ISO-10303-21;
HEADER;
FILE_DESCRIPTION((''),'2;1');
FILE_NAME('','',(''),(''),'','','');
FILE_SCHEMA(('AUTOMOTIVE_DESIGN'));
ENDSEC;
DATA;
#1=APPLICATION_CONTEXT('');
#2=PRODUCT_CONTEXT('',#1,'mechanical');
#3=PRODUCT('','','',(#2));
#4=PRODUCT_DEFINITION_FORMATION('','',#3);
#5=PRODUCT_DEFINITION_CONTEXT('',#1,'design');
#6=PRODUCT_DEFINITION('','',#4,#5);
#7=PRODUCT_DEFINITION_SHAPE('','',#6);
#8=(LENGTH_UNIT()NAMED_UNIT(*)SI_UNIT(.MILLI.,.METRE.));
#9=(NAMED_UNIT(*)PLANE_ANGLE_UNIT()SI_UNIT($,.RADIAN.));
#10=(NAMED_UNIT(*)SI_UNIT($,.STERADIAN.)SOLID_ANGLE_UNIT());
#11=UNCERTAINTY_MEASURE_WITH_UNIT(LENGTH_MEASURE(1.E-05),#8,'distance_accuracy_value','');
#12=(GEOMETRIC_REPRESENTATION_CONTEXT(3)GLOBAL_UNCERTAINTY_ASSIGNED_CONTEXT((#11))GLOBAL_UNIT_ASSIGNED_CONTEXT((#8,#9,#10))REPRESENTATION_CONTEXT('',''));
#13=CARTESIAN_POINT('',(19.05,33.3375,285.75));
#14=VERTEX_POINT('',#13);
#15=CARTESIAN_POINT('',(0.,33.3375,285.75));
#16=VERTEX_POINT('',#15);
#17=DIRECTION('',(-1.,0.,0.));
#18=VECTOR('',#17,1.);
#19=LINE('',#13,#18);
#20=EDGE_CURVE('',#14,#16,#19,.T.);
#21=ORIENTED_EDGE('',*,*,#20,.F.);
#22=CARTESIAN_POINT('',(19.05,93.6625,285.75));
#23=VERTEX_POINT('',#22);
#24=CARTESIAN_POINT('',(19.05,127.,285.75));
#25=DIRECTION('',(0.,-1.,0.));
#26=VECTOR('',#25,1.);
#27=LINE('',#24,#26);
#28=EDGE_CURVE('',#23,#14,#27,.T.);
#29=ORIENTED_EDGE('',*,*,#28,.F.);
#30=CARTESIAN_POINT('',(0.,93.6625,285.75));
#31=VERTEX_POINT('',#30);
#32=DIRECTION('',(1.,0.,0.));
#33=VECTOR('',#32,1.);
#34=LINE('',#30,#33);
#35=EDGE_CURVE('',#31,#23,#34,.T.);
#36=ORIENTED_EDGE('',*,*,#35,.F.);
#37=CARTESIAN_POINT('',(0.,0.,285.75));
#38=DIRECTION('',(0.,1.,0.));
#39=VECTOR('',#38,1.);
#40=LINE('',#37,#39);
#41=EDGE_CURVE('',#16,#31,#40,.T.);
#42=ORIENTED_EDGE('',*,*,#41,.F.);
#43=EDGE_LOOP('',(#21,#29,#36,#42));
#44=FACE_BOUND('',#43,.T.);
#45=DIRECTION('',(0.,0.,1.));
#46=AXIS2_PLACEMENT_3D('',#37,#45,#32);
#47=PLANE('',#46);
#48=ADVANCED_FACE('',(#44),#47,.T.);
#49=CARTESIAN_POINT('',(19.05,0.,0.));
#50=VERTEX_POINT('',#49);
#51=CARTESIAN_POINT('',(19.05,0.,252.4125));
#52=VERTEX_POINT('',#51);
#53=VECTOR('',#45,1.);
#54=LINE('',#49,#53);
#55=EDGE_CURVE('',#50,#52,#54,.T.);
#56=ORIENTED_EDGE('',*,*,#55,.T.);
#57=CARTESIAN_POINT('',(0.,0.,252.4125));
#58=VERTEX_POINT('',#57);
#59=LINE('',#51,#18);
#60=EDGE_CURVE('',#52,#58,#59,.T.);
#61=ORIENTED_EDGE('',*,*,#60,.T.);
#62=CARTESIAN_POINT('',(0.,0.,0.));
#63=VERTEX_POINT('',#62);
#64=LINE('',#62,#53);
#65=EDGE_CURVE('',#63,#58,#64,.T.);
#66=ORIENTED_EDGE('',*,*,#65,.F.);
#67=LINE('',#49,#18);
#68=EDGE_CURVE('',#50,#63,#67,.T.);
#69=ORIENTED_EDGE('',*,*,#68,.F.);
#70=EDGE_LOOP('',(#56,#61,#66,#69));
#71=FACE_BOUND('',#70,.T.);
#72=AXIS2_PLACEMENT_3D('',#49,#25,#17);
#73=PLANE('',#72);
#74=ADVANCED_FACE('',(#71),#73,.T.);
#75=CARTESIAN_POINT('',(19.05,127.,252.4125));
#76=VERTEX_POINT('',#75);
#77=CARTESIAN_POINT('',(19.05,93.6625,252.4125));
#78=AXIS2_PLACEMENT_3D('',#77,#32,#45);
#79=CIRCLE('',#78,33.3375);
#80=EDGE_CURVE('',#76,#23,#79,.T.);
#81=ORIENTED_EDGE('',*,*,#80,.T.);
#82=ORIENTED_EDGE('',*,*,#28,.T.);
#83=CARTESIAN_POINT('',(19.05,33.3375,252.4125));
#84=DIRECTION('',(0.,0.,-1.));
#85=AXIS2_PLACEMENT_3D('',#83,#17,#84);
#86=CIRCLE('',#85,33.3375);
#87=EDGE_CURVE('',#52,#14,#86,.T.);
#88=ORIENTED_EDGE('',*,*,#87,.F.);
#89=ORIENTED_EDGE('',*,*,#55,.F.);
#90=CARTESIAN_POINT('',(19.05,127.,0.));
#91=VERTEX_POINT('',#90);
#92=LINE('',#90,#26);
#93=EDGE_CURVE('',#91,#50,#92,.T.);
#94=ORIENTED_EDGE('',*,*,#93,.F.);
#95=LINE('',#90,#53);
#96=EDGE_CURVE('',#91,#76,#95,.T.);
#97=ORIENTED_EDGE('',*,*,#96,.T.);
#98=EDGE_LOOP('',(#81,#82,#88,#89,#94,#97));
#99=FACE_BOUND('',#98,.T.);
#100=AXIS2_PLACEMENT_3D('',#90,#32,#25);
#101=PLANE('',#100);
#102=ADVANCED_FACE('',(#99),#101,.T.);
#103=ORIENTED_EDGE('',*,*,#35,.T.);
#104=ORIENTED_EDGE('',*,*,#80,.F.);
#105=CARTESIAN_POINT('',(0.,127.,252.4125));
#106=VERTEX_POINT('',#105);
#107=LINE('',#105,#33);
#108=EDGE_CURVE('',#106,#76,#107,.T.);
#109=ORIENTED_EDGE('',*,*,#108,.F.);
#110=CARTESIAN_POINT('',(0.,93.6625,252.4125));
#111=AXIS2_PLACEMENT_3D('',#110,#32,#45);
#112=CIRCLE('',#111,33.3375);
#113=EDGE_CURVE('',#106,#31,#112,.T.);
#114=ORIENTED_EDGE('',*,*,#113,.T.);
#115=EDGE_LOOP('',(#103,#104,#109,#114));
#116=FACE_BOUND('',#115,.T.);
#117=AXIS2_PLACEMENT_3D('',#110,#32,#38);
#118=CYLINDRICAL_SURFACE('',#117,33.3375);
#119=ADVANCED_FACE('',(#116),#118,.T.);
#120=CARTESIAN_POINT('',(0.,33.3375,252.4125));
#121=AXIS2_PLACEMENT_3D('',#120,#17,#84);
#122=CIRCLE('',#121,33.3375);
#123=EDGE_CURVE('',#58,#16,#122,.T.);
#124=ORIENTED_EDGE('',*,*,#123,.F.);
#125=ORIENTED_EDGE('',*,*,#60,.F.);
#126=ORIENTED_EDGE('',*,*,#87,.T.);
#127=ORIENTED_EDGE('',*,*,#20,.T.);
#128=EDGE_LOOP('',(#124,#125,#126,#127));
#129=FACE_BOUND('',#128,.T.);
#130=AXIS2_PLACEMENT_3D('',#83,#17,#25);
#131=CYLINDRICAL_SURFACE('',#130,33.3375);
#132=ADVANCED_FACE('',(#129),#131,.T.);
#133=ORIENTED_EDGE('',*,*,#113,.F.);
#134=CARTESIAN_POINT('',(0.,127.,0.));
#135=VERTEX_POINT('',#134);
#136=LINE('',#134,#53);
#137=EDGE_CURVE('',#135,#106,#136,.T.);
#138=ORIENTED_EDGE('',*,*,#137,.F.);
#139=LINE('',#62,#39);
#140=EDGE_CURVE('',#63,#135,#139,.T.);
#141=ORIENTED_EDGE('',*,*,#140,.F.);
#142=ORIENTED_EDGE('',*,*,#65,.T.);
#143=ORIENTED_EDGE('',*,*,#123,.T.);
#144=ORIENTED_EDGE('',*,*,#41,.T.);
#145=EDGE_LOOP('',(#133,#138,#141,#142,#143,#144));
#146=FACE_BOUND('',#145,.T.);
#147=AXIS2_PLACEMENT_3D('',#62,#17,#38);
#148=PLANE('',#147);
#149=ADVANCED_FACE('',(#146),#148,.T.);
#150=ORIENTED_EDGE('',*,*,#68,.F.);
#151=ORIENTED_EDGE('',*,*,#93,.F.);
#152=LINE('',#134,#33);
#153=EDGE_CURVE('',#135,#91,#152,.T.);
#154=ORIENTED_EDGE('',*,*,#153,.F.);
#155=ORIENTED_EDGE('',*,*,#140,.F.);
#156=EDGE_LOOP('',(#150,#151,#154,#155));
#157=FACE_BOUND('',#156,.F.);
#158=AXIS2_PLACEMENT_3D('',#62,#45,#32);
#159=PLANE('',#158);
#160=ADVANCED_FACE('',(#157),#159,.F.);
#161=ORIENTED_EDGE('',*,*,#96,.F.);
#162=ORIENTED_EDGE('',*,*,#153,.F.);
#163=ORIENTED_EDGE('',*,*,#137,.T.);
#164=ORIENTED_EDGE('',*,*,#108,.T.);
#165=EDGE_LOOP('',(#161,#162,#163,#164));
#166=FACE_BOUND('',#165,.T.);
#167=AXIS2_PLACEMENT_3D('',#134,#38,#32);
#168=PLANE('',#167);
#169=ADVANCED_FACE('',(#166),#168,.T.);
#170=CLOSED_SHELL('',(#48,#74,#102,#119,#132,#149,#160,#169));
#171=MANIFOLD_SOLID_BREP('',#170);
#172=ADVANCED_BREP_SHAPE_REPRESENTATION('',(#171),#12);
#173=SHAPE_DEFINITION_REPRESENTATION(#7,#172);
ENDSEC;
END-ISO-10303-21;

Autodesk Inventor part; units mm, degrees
ref_plane "YZ Plane" through (0, 0, 0) normal (1, 0, 0) x (0, 1, 0)
ref_plane "XZ Plane" through (0, 0, 0) normal (0, 1, 0) x (-1, 0, 0)
ref_plane "XY Plane" through (0, 0, 0) normal (0, 0, 1) x (1, 0, 0)
sketch "Sketch1" plane through (0, 0, 0) normal (0, 0, 1) x (1, 0, 0)
  line L0 (0, 0) -> (0, 127)
  line L1 (0, 127) -> (19.05, 127)
  line L2 (19.05, 127) -> (19.05, 0)
  line L3 (19.05, 0) -> (0, 0)
  dimension "d0" = 127
  dimension "d1" = 19.05
extrude "Extrusion1" add sketch "Sketch1" along normal blind 285.75
fillet "Fillet1" radius 33.3375 2 edges at (9.525, 0, 285.75) (9.525, 127, 285.75)
properties part number "Bumper Wood Backing Part4 (26x28 robot)" material "Wood (Birch)"
